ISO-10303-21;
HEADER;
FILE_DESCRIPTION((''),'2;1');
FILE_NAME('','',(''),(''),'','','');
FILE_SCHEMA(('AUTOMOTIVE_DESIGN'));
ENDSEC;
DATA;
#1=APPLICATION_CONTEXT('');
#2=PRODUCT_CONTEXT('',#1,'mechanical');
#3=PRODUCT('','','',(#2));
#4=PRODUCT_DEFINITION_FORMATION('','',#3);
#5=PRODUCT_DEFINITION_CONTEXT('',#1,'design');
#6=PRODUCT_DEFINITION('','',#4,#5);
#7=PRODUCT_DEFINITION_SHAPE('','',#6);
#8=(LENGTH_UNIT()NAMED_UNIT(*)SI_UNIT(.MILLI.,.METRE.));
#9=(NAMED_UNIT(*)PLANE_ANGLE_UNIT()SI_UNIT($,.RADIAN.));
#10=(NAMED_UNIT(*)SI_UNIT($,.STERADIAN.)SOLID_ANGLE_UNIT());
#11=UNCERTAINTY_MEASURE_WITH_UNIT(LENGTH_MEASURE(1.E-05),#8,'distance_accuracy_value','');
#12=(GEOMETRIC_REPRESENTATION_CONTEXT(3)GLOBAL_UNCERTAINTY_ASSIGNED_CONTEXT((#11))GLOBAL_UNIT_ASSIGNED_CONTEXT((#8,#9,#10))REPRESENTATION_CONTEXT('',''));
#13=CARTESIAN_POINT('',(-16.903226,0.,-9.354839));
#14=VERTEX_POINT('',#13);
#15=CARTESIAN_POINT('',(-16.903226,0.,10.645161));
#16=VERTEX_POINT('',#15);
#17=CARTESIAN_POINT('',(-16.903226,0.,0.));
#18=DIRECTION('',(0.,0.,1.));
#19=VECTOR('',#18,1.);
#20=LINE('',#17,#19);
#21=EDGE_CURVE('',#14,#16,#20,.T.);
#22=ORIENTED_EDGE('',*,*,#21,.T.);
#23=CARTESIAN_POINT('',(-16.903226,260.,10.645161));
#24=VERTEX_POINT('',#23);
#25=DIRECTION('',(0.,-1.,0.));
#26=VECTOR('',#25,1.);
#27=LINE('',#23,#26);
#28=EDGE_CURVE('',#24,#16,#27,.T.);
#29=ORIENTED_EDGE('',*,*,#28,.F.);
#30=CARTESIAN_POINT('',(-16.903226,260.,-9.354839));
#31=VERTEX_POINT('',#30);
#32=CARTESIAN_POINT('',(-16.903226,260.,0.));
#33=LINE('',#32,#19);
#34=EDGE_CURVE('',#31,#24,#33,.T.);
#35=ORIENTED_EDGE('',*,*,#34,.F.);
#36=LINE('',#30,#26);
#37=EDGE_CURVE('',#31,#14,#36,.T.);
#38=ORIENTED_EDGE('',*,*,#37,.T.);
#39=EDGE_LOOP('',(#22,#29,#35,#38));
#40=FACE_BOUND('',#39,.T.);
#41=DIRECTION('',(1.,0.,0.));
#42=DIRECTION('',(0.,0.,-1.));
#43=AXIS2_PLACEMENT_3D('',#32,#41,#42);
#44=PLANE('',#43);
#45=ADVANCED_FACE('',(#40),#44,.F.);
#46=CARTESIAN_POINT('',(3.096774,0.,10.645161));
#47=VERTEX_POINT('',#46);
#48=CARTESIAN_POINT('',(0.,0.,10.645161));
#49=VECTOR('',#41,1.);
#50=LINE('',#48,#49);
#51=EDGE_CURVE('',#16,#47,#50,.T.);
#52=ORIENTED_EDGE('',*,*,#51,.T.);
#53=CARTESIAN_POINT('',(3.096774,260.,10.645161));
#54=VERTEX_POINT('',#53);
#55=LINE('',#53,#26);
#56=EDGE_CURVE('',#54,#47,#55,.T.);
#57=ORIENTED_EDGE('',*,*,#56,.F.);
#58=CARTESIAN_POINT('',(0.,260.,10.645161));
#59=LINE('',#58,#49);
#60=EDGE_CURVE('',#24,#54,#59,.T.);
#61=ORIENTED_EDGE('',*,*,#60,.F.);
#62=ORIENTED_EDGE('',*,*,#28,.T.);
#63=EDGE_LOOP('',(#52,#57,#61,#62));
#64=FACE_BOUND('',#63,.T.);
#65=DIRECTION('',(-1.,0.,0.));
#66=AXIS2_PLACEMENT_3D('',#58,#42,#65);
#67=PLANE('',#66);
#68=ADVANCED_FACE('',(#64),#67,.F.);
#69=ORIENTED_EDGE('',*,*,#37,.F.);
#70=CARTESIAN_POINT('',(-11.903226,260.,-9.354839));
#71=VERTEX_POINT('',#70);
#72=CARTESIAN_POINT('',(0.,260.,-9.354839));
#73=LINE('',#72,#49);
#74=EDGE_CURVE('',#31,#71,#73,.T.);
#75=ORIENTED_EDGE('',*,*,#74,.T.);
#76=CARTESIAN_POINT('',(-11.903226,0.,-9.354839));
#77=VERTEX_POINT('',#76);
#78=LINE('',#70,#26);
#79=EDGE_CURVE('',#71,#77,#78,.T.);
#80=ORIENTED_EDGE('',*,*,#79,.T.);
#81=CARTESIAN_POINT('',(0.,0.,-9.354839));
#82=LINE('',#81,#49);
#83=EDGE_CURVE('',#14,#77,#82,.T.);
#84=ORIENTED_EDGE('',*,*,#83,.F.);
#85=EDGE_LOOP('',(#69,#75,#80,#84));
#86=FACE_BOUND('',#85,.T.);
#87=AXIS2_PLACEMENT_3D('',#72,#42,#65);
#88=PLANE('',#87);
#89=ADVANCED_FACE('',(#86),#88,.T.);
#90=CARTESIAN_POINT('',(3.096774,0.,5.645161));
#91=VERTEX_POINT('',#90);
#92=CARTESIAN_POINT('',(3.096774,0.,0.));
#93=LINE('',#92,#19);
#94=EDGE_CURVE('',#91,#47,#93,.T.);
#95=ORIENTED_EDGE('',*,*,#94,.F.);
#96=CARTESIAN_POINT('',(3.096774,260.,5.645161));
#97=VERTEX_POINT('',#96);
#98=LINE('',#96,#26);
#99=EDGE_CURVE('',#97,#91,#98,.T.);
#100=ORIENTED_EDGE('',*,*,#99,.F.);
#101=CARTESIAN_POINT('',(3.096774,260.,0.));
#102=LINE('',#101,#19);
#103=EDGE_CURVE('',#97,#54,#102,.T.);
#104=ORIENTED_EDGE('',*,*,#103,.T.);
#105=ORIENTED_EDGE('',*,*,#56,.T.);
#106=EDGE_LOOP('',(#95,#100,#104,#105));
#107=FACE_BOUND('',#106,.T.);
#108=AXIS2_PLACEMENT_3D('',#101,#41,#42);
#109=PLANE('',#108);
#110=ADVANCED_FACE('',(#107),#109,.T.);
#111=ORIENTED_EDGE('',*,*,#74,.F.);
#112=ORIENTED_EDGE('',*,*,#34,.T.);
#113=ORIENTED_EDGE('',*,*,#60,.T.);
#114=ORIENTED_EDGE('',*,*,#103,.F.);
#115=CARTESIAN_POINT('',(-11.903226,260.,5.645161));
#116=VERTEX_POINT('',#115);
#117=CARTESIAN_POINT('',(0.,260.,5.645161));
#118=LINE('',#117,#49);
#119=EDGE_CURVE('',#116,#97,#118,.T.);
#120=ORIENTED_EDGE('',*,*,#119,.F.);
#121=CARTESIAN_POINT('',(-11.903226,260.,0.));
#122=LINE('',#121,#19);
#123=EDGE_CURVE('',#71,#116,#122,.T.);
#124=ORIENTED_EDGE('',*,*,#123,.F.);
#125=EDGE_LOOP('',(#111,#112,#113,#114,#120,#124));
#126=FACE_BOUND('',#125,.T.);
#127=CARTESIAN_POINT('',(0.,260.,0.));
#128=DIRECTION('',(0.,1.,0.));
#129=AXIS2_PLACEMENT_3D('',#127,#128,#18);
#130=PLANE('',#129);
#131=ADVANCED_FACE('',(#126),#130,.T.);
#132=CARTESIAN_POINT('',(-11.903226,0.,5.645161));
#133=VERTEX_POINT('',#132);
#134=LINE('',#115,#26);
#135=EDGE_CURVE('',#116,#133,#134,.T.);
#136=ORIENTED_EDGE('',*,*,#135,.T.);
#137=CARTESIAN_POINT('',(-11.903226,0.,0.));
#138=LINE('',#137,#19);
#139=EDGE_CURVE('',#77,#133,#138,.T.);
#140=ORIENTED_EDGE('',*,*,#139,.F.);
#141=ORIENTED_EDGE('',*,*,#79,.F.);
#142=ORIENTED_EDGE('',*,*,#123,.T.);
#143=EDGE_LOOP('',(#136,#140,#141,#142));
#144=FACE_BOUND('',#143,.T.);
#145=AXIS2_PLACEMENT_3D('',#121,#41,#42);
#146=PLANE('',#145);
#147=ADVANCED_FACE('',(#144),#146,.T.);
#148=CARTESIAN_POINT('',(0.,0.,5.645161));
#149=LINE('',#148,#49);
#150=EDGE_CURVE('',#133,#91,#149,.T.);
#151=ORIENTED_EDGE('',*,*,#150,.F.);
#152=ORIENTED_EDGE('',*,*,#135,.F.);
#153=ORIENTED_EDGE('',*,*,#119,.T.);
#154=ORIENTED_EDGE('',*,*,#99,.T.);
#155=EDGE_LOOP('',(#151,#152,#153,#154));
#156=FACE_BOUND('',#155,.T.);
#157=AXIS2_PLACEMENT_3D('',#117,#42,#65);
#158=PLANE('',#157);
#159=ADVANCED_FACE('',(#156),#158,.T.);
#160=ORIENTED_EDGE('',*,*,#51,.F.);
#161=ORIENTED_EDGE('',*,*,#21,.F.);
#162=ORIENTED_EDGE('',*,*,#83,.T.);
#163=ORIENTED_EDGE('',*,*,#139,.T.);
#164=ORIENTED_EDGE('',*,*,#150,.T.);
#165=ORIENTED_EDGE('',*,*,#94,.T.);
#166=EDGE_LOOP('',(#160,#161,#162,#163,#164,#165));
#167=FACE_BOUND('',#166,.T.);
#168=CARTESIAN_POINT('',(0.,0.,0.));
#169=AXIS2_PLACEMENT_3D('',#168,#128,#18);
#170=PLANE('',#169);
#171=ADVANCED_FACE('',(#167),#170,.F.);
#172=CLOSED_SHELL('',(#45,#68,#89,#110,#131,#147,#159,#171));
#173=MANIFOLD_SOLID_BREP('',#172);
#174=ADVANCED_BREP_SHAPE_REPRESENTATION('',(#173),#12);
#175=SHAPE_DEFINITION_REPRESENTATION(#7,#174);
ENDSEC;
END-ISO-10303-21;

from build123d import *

# Parameters (mm, degrees)
BOSS_EXTRUDE1_DEPTH = 260


with BuildPart() as part:
    # Sketch1 → Boss-Extrude1 (new body)
    with BuildSketch(Plane(origin=(0, 0, 0), x_dir=(1, 0, 0), z_dir=(0, 1, 0))):
        Polygon((-11.903225806, 9.35483871), (-16.903225806, 9.35483871), (-16.903225806, -4.64516129), (-16.903225806, -10.64516129), (-8.580645161, -10.64516129), (3.096774194, -10.64516129), (3.096774194, -5.64516129), (-11.903225806, -5.64516129), align=None)
    extrude(amount=BOSS_EXTRUDE1_DEPTH)


solid = part.part
